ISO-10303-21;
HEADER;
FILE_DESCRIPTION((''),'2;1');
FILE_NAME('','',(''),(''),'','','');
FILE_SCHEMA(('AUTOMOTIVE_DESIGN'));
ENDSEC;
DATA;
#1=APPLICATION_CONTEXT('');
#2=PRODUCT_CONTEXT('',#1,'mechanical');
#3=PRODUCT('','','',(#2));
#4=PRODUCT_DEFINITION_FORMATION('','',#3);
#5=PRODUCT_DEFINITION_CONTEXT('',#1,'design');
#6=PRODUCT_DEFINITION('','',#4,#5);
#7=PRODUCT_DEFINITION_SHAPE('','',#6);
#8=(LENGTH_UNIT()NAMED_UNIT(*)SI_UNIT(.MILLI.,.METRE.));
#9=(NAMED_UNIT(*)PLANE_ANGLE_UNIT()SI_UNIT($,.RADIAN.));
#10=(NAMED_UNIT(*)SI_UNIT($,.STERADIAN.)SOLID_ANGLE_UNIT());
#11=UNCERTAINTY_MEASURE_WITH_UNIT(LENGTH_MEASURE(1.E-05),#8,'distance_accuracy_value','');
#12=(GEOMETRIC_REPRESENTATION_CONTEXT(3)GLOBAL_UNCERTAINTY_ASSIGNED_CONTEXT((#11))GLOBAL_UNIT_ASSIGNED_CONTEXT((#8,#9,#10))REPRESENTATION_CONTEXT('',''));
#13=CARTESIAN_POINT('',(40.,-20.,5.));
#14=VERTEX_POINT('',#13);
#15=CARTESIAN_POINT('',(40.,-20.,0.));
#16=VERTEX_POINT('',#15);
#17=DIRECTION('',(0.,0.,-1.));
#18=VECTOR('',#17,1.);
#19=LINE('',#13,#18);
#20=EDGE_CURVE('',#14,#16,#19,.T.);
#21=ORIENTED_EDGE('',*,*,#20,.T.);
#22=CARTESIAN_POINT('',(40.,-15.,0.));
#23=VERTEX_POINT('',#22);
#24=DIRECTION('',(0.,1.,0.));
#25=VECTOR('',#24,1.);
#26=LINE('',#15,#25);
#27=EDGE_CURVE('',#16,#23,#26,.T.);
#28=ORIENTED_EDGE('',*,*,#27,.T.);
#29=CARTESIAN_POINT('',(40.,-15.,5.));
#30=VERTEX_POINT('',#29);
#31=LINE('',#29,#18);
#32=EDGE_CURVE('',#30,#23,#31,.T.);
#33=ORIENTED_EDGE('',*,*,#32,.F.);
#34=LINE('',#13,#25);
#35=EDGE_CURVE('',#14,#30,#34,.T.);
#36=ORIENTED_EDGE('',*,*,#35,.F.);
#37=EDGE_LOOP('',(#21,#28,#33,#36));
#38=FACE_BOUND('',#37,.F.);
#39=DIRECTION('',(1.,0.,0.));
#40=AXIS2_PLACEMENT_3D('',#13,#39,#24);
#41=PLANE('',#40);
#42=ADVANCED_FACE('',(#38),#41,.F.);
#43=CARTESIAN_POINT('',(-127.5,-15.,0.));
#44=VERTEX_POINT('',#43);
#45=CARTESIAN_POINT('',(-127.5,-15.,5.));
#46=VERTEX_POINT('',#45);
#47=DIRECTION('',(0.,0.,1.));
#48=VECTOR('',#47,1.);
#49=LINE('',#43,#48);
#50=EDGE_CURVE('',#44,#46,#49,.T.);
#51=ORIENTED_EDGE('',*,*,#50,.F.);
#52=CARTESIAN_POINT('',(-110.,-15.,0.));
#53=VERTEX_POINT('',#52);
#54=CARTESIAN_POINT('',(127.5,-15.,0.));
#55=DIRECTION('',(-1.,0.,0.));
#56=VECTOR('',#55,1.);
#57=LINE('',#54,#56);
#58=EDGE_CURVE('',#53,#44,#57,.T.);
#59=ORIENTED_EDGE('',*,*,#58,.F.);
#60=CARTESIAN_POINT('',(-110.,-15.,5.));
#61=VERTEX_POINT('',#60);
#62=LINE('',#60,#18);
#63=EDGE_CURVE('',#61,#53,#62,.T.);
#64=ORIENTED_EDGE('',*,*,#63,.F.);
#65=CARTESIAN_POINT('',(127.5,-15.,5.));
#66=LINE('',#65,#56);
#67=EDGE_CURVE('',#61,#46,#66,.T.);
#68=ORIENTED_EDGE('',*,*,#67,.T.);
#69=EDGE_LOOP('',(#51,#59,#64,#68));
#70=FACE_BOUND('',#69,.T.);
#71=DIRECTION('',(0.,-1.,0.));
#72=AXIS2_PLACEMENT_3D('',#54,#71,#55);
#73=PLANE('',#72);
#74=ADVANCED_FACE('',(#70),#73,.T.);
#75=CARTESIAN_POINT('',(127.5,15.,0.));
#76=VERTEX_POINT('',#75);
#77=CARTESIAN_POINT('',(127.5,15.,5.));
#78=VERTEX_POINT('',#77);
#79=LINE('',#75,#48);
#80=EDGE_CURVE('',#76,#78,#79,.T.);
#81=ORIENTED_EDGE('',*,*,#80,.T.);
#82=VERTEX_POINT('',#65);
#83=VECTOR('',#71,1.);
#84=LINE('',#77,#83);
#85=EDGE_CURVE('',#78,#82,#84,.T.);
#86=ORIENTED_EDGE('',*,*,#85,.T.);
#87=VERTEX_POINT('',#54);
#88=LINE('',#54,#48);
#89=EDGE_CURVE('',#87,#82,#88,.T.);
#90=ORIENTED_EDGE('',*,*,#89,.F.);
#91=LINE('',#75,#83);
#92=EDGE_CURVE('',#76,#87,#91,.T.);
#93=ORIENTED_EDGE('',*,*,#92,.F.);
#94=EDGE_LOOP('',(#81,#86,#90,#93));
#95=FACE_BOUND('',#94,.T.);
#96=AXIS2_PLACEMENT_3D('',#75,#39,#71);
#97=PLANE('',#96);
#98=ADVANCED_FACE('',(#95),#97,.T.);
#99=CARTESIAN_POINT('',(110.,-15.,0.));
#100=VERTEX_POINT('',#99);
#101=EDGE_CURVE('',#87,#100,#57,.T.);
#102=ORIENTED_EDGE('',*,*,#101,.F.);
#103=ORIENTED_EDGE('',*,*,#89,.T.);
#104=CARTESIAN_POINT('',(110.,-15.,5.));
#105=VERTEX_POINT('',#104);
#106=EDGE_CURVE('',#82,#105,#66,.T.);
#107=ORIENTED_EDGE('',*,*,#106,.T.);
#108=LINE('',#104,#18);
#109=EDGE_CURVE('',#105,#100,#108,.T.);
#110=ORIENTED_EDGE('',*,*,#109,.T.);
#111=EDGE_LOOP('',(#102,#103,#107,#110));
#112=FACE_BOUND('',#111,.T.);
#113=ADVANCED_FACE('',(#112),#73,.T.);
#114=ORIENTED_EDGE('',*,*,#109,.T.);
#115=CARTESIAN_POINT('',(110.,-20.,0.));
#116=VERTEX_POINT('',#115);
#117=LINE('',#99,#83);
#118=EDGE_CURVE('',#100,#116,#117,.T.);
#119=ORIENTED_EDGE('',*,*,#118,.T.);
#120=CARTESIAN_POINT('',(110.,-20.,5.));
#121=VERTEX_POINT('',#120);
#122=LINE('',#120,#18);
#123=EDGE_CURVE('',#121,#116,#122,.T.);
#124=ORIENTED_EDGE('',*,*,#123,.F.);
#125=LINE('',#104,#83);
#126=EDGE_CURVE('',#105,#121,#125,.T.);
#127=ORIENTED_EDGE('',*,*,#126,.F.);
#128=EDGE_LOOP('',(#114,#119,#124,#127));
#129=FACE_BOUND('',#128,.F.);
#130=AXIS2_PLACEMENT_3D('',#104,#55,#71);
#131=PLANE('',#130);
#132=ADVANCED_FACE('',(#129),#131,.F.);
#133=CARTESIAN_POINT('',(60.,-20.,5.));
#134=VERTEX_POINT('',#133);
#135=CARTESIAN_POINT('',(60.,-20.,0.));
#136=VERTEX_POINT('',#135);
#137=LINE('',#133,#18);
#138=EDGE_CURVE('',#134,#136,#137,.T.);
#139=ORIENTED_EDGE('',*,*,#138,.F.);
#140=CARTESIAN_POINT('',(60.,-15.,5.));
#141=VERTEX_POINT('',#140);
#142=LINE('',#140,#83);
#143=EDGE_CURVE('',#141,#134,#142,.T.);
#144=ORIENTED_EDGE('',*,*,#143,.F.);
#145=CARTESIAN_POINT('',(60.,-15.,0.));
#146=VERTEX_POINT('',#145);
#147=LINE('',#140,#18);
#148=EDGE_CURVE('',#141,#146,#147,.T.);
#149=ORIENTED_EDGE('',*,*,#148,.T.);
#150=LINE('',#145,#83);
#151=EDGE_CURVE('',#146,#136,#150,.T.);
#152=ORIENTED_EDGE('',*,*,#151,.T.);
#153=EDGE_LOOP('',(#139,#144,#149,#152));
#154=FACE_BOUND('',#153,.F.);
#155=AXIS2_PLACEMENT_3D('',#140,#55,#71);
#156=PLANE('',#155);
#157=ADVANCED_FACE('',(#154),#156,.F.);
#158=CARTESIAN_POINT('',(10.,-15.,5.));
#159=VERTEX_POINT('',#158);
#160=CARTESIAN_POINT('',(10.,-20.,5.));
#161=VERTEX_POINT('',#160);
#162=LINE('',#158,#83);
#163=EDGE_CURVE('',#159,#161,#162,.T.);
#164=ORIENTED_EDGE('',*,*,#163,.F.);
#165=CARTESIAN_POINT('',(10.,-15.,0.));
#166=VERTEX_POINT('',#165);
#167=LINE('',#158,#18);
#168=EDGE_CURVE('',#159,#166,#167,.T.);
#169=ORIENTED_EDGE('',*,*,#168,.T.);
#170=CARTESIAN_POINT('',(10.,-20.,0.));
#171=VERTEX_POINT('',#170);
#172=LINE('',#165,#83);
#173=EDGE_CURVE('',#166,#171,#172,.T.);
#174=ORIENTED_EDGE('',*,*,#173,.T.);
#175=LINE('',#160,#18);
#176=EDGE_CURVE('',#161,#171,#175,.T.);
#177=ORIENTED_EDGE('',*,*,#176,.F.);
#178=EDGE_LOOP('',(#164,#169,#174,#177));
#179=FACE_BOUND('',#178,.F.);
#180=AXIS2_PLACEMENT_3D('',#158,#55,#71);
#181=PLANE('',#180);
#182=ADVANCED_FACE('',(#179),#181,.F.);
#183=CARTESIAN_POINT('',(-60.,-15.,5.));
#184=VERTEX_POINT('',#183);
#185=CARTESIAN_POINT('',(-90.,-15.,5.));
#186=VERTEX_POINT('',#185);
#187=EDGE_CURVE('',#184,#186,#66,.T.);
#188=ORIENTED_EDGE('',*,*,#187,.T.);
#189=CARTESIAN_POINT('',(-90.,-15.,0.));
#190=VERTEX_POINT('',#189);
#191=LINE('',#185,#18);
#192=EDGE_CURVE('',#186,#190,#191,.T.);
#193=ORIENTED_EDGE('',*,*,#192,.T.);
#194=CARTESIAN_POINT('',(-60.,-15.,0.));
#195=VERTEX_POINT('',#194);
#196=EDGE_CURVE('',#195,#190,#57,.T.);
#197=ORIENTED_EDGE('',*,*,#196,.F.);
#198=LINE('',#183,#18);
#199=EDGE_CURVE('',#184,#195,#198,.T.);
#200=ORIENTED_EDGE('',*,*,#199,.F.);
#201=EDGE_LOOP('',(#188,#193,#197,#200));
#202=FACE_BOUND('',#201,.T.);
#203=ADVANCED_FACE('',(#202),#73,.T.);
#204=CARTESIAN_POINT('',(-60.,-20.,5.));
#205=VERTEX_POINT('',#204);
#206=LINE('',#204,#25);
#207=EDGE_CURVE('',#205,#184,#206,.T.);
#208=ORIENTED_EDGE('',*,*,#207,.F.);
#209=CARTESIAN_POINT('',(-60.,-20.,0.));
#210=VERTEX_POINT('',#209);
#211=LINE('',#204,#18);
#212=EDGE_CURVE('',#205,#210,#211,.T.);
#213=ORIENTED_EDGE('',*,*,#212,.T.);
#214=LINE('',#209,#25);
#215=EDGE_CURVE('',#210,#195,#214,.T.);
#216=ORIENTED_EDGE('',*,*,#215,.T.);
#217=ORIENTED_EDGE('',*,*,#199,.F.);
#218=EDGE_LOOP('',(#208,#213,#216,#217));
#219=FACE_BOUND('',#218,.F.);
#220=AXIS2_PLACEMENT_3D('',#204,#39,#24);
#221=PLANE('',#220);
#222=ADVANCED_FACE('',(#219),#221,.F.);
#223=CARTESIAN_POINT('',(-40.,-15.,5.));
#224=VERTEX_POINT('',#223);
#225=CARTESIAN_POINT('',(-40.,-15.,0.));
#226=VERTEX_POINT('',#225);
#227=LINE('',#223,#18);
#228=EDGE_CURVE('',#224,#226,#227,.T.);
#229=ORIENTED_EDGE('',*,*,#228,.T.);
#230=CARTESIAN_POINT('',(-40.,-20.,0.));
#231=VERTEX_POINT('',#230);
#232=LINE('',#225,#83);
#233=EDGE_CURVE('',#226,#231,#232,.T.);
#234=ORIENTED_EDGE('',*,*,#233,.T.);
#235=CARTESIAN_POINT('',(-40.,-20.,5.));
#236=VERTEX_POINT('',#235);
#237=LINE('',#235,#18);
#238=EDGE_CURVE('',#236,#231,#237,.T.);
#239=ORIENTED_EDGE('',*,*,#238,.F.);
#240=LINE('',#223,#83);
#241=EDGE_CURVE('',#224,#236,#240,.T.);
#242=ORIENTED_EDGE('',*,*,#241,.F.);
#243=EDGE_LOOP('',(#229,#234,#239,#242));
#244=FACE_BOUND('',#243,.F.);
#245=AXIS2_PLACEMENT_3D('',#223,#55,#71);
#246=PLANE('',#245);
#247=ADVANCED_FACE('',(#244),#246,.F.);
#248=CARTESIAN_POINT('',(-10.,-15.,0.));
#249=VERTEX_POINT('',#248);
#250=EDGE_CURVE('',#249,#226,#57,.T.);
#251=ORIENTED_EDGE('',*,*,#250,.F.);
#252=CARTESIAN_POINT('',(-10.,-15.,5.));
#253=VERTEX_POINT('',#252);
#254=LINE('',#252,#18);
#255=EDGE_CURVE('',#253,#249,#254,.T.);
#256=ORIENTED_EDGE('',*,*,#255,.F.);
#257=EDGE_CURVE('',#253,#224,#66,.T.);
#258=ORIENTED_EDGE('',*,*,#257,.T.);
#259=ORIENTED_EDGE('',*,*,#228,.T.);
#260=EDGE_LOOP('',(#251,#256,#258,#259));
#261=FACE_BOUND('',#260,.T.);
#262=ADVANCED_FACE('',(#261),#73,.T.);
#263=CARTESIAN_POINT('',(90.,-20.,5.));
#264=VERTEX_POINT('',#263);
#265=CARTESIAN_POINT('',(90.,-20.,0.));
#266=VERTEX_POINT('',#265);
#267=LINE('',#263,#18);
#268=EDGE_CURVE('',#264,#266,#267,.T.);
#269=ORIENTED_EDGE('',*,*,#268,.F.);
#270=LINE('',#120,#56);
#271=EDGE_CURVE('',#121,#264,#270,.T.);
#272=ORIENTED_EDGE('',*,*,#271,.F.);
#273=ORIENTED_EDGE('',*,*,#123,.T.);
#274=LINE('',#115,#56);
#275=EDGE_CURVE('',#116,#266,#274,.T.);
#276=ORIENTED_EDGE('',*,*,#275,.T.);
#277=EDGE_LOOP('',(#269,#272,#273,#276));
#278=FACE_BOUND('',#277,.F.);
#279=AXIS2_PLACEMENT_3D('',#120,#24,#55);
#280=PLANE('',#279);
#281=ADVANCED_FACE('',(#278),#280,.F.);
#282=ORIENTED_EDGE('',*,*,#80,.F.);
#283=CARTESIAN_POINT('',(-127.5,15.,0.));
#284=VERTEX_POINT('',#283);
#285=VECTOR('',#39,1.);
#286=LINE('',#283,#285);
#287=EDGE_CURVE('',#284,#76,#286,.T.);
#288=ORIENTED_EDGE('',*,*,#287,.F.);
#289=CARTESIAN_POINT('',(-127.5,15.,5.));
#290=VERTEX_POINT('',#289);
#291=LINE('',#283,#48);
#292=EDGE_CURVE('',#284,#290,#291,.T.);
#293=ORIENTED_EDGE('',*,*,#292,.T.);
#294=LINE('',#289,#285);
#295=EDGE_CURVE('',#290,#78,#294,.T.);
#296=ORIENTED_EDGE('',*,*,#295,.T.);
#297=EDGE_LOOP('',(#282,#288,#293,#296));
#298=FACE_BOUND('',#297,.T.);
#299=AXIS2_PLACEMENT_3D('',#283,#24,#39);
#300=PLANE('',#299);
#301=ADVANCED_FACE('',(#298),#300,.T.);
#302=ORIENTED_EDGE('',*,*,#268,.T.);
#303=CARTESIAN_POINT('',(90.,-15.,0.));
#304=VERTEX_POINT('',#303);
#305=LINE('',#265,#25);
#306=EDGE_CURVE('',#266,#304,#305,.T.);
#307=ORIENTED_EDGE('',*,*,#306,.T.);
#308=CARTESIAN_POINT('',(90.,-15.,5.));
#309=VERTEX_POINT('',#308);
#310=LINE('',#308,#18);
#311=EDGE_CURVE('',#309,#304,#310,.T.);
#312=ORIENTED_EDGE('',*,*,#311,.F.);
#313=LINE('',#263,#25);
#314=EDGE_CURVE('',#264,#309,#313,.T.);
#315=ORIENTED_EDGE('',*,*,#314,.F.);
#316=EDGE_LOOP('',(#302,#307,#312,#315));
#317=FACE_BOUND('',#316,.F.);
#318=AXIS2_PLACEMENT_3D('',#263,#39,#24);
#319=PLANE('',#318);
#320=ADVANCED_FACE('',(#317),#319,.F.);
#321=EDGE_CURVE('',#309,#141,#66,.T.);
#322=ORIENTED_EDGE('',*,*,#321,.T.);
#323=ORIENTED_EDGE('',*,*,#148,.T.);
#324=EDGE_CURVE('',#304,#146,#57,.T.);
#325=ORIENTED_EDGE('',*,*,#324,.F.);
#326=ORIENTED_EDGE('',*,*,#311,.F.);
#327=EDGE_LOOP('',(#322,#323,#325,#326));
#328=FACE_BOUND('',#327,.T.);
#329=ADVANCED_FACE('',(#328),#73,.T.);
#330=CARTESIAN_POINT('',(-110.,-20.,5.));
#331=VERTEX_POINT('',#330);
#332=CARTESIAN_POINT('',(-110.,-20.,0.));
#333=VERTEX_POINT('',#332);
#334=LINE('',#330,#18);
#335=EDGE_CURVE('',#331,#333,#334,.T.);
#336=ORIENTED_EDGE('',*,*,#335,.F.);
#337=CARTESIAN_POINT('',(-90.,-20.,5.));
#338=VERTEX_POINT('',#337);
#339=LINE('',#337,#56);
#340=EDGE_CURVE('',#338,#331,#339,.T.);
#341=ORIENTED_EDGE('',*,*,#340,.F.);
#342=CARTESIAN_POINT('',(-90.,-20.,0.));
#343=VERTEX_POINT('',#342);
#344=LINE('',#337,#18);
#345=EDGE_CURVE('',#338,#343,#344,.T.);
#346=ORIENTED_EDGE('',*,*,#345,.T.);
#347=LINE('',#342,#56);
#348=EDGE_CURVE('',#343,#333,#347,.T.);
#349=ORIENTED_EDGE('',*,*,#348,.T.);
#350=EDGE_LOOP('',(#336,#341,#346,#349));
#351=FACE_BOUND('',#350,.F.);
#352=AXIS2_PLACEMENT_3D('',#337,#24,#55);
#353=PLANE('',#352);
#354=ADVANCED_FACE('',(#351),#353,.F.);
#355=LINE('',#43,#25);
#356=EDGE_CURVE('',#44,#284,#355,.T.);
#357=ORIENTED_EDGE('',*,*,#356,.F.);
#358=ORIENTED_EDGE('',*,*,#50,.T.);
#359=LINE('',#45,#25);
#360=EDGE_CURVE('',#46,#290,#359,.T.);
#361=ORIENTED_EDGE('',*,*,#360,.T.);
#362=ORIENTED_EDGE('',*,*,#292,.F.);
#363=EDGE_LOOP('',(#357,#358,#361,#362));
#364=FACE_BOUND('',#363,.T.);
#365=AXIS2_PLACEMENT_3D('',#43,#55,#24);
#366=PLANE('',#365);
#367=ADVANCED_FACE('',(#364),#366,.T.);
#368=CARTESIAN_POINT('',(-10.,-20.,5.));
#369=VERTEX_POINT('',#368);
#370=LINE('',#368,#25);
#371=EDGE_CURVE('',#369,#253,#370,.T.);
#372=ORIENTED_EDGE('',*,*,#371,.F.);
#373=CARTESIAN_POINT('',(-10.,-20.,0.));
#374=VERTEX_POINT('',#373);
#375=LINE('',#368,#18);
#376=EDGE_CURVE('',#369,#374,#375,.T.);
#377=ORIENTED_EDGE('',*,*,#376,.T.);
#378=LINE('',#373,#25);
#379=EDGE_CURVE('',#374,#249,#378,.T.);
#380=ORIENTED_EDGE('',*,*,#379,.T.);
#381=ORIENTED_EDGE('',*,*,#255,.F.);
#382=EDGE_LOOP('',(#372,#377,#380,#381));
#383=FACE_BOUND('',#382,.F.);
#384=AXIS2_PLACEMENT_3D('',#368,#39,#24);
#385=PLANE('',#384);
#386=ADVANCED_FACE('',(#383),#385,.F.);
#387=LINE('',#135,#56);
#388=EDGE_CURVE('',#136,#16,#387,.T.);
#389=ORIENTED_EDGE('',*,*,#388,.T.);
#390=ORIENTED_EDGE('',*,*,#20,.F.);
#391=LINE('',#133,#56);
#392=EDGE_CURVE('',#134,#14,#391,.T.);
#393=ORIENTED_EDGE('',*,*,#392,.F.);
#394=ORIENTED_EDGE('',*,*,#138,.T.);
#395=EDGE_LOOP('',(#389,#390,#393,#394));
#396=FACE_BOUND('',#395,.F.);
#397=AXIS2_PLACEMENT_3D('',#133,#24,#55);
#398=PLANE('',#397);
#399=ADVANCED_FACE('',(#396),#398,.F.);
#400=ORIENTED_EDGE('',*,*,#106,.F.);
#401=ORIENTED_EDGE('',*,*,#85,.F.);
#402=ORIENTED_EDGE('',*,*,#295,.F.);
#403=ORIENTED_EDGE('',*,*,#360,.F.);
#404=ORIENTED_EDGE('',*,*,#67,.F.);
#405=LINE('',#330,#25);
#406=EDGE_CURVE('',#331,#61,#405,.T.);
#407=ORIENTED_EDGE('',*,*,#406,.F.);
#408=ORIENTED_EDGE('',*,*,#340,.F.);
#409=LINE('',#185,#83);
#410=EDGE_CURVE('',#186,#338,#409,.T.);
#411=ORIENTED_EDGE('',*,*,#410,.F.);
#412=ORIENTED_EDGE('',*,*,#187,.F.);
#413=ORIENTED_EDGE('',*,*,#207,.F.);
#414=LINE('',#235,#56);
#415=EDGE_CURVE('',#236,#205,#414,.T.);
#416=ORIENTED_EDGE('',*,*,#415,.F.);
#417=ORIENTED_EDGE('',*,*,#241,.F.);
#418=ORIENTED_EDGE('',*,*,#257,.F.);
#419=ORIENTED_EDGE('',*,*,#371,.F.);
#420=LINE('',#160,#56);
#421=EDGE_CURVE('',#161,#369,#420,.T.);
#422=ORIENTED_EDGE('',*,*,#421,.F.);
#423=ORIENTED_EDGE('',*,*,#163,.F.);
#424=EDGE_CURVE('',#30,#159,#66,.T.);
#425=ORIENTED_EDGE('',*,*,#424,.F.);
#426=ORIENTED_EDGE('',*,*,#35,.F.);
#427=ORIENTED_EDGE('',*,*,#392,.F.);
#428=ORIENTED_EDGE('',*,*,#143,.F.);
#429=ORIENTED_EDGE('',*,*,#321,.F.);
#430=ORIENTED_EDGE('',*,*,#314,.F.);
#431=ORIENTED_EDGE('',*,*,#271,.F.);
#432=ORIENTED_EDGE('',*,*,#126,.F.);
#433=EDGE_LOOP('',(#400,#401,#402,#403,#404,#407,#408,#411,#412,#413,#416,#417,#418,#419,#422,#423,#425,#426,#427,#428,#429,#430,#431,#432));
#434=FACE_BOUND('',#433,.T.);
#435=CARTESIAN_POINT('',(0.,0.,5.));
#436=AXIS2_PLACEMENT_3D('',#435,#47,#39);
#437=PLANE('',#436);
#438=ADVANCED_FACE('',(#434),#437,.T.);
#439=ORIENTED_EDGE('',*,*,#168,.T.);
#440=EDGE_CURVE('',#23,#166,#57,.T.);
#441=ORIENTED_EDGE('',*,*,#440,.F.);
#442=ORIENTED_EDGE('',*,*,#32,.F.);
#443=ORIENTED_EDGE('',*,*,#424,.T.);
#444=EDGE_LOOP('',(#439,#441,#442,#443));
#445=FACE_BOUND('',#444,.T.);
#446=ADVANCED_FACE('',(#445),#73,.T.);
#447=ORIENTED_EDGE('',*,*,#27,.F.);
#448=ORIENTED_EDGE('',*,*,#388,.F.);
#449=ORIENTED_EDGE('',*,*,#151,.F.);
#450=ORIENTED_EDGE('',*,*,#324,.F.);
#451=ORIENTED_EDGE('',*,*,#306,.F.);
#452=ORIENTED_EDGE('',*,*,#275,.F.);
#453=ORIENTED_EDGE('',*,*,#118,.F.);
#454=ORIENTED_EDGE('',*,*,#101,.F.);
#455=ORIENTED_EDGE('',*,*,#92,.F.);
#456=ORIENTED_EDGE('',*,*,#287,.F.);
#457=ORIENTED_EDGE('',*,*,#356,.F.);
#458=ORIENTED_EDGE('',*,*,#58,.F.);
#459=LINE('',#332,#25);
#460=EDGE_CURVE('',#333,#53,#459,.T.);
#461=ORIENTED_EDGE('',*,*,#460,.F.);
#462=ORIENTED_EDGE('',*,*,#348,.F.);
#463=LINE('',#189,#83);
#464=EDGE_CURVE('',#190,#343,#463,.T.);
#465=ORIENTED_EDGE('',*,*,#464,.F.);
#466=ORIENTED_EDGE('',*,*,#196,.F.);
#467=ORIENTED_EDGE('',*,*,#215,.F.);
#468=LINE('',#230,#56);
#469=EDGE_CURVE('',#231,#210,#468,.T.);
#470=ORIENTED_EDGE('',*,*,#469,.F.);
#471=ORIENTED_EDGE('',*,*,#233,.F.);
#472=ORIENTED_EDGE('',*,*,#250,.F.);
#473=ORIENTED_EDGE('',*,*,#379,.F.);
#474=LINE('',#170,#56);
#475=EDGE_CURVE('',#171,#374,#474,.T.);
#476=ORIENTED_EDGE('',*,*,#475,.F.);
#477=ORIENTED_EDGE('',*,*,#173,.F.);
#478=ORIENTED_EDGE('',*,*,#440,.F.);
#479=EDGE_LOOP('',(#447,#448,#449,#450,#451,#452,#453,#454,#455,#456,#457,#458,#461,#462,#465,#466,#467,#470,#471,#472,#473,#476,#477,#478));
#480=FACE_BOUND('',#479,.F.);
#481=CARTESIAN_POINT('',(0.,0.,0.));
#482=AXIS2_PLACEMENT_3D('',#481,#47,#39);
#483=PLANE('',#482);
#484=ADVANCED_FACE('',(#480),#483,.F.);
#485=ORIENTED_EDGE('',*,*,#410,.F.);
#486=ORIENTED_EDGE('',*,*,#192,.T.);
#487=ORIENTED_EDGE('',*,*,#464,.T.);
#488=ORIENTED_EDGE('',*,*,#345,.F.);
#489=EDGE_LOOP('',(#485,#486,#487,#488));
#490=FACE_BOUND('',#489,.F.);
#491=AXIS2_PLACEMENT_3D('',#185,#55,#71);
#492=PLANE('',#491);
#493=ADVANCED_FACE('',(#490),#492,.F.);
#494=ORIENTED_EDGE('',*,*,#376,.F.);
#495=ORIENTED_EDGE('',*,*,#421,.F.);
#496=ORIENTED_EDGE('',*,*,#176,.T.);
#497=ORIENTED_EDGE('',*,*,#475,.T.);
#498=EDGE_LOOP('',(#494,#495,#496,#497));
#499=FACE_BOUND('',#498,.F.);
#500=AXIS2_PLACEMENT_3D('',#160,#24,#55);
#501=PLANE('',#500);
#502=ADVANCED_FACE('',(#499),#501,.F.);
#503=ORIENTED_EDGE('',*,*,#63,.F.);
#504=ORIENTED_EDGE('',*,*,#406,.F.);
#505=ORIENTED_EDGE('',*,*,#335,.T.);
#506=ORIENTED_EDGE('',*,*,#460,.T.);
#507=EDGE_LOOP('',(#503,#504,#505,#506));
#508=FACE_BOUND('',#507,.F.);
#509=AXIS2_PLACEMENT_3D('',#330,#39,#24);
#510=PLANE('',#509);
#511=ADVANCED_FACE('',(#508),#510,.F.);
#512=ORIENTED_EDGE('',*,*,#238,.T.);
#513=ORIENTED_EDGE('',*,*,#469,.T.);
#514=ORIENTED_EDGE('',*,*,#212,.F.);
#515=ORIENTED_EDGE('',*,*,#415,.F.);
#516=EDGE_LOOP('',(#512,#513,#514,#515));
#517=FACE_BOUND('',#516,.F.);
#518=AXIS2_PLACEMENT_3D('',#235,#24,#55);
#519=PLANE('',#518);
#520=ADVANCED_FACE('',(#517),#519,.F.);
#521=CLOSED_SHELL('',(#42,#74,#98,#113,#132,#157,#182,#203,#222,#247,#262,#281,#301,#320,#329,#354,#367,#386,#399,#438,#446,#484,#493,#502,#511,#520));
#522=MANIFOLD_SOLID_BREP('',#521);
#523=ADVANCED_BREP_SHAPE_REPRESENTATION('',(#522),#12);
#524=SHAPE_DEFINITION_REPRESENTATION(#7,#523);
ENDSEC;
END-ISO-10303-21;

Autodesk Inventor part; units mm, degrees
ref_plane "YZ Plane" through (0, 0, 0) normal (1, 0, 0) x (0, 1, 0)
ref_plane "XZ Plane" through (0, 0, 0) normal (0, 1, 0) x (-1, 0, 0)
ref_plane "XY Plane" through (0, 0, 0) normal (0, 0, 1) x (1, 0, 0)
sketch "Sketch1" plane through (0, 0, 0) normal (0, 0, 1) x (1, 0, 0)
  line L0 (-127.5, 15) -> (127.5, 15)
  line L1 (127.5, 15) -> (127.5, -15)
  line L2 (127.5, -15) -> (-127.5, -15)
  line L3 (-127.5, -15) -> (-127.5, 15)
  line L4 (-127.5, 15) -> (127.5, -15) construction
  line L5 (127.5, 15) -> (-127.5, -15) construction
  point P0 (0, 0)
  dimension "d0" = 255
  dimension "d1" = 30
extrude "Extrusion1" add sketch "Sketch1" along normal blind 5
sketch "Sketch2" plane through (0, 0, 5) normal (0, 0, 1) x (1, 0, 0)
  line L0 (-127.5, -15) -> (127.5, -15) projected
  line L1 (-110, -15) -> (-90, -15)
  line L2 (-90, -15) -> (-90, -20)
  line L3 (-90, -20) -> (-110, -20)
  line L4 (-110, -20) -> (-110, -15)
  line L5 (-60, -15) -> (-40, -15)
  line L6 (-40, -15) -> (-40, -20)
  line L7 (-40, -20) -> (-60, -20)
  line L8 (-60, -20) -> (-60, -15)
  line L9 (-10, -15) -> (10, -15)
  line L10 (10, -15) -> (10, -20)
  line L11 (10, -20) -> (-10, -20)
  line L12 (-10, -20) -> (-10, -15)
  line L13 (40, -15) -> (60, -15)
  line L14 (60, -15) -> (60, -20)
  line L15 (60, -20) -> (40, -20)
  line L16 (40, -20) -> (40, -15)
  line L17 (90, -15) -> (110, -15)
  line L18 (110, -15) -> (110, -20)
  line L19 (110, -20) -> (90, -20)
  line L20 (90, -20) -> (90, -15)
  point P0 (0, 0)
  point P1 (60, -15)
  point P2 (40, -15)
  point P3 (-90, -15)
  point P4 (-40, -15)
  point P5 (-60, -15)
  point P6 (10, -15)
  point P7 (-10, -15)
  point P8 (110, -15)
  point P9 (90, -15)
  dimension "d4" = 20
  dimension "d5" = 5
  dimension "d6" = 17.5
  dimension "d9" = 50
  dimension "d14" = 17.5
extrude "Extrusion2" add sketch "Sketch2" against normal blind 5
properties part number "Divisória-25cm"
